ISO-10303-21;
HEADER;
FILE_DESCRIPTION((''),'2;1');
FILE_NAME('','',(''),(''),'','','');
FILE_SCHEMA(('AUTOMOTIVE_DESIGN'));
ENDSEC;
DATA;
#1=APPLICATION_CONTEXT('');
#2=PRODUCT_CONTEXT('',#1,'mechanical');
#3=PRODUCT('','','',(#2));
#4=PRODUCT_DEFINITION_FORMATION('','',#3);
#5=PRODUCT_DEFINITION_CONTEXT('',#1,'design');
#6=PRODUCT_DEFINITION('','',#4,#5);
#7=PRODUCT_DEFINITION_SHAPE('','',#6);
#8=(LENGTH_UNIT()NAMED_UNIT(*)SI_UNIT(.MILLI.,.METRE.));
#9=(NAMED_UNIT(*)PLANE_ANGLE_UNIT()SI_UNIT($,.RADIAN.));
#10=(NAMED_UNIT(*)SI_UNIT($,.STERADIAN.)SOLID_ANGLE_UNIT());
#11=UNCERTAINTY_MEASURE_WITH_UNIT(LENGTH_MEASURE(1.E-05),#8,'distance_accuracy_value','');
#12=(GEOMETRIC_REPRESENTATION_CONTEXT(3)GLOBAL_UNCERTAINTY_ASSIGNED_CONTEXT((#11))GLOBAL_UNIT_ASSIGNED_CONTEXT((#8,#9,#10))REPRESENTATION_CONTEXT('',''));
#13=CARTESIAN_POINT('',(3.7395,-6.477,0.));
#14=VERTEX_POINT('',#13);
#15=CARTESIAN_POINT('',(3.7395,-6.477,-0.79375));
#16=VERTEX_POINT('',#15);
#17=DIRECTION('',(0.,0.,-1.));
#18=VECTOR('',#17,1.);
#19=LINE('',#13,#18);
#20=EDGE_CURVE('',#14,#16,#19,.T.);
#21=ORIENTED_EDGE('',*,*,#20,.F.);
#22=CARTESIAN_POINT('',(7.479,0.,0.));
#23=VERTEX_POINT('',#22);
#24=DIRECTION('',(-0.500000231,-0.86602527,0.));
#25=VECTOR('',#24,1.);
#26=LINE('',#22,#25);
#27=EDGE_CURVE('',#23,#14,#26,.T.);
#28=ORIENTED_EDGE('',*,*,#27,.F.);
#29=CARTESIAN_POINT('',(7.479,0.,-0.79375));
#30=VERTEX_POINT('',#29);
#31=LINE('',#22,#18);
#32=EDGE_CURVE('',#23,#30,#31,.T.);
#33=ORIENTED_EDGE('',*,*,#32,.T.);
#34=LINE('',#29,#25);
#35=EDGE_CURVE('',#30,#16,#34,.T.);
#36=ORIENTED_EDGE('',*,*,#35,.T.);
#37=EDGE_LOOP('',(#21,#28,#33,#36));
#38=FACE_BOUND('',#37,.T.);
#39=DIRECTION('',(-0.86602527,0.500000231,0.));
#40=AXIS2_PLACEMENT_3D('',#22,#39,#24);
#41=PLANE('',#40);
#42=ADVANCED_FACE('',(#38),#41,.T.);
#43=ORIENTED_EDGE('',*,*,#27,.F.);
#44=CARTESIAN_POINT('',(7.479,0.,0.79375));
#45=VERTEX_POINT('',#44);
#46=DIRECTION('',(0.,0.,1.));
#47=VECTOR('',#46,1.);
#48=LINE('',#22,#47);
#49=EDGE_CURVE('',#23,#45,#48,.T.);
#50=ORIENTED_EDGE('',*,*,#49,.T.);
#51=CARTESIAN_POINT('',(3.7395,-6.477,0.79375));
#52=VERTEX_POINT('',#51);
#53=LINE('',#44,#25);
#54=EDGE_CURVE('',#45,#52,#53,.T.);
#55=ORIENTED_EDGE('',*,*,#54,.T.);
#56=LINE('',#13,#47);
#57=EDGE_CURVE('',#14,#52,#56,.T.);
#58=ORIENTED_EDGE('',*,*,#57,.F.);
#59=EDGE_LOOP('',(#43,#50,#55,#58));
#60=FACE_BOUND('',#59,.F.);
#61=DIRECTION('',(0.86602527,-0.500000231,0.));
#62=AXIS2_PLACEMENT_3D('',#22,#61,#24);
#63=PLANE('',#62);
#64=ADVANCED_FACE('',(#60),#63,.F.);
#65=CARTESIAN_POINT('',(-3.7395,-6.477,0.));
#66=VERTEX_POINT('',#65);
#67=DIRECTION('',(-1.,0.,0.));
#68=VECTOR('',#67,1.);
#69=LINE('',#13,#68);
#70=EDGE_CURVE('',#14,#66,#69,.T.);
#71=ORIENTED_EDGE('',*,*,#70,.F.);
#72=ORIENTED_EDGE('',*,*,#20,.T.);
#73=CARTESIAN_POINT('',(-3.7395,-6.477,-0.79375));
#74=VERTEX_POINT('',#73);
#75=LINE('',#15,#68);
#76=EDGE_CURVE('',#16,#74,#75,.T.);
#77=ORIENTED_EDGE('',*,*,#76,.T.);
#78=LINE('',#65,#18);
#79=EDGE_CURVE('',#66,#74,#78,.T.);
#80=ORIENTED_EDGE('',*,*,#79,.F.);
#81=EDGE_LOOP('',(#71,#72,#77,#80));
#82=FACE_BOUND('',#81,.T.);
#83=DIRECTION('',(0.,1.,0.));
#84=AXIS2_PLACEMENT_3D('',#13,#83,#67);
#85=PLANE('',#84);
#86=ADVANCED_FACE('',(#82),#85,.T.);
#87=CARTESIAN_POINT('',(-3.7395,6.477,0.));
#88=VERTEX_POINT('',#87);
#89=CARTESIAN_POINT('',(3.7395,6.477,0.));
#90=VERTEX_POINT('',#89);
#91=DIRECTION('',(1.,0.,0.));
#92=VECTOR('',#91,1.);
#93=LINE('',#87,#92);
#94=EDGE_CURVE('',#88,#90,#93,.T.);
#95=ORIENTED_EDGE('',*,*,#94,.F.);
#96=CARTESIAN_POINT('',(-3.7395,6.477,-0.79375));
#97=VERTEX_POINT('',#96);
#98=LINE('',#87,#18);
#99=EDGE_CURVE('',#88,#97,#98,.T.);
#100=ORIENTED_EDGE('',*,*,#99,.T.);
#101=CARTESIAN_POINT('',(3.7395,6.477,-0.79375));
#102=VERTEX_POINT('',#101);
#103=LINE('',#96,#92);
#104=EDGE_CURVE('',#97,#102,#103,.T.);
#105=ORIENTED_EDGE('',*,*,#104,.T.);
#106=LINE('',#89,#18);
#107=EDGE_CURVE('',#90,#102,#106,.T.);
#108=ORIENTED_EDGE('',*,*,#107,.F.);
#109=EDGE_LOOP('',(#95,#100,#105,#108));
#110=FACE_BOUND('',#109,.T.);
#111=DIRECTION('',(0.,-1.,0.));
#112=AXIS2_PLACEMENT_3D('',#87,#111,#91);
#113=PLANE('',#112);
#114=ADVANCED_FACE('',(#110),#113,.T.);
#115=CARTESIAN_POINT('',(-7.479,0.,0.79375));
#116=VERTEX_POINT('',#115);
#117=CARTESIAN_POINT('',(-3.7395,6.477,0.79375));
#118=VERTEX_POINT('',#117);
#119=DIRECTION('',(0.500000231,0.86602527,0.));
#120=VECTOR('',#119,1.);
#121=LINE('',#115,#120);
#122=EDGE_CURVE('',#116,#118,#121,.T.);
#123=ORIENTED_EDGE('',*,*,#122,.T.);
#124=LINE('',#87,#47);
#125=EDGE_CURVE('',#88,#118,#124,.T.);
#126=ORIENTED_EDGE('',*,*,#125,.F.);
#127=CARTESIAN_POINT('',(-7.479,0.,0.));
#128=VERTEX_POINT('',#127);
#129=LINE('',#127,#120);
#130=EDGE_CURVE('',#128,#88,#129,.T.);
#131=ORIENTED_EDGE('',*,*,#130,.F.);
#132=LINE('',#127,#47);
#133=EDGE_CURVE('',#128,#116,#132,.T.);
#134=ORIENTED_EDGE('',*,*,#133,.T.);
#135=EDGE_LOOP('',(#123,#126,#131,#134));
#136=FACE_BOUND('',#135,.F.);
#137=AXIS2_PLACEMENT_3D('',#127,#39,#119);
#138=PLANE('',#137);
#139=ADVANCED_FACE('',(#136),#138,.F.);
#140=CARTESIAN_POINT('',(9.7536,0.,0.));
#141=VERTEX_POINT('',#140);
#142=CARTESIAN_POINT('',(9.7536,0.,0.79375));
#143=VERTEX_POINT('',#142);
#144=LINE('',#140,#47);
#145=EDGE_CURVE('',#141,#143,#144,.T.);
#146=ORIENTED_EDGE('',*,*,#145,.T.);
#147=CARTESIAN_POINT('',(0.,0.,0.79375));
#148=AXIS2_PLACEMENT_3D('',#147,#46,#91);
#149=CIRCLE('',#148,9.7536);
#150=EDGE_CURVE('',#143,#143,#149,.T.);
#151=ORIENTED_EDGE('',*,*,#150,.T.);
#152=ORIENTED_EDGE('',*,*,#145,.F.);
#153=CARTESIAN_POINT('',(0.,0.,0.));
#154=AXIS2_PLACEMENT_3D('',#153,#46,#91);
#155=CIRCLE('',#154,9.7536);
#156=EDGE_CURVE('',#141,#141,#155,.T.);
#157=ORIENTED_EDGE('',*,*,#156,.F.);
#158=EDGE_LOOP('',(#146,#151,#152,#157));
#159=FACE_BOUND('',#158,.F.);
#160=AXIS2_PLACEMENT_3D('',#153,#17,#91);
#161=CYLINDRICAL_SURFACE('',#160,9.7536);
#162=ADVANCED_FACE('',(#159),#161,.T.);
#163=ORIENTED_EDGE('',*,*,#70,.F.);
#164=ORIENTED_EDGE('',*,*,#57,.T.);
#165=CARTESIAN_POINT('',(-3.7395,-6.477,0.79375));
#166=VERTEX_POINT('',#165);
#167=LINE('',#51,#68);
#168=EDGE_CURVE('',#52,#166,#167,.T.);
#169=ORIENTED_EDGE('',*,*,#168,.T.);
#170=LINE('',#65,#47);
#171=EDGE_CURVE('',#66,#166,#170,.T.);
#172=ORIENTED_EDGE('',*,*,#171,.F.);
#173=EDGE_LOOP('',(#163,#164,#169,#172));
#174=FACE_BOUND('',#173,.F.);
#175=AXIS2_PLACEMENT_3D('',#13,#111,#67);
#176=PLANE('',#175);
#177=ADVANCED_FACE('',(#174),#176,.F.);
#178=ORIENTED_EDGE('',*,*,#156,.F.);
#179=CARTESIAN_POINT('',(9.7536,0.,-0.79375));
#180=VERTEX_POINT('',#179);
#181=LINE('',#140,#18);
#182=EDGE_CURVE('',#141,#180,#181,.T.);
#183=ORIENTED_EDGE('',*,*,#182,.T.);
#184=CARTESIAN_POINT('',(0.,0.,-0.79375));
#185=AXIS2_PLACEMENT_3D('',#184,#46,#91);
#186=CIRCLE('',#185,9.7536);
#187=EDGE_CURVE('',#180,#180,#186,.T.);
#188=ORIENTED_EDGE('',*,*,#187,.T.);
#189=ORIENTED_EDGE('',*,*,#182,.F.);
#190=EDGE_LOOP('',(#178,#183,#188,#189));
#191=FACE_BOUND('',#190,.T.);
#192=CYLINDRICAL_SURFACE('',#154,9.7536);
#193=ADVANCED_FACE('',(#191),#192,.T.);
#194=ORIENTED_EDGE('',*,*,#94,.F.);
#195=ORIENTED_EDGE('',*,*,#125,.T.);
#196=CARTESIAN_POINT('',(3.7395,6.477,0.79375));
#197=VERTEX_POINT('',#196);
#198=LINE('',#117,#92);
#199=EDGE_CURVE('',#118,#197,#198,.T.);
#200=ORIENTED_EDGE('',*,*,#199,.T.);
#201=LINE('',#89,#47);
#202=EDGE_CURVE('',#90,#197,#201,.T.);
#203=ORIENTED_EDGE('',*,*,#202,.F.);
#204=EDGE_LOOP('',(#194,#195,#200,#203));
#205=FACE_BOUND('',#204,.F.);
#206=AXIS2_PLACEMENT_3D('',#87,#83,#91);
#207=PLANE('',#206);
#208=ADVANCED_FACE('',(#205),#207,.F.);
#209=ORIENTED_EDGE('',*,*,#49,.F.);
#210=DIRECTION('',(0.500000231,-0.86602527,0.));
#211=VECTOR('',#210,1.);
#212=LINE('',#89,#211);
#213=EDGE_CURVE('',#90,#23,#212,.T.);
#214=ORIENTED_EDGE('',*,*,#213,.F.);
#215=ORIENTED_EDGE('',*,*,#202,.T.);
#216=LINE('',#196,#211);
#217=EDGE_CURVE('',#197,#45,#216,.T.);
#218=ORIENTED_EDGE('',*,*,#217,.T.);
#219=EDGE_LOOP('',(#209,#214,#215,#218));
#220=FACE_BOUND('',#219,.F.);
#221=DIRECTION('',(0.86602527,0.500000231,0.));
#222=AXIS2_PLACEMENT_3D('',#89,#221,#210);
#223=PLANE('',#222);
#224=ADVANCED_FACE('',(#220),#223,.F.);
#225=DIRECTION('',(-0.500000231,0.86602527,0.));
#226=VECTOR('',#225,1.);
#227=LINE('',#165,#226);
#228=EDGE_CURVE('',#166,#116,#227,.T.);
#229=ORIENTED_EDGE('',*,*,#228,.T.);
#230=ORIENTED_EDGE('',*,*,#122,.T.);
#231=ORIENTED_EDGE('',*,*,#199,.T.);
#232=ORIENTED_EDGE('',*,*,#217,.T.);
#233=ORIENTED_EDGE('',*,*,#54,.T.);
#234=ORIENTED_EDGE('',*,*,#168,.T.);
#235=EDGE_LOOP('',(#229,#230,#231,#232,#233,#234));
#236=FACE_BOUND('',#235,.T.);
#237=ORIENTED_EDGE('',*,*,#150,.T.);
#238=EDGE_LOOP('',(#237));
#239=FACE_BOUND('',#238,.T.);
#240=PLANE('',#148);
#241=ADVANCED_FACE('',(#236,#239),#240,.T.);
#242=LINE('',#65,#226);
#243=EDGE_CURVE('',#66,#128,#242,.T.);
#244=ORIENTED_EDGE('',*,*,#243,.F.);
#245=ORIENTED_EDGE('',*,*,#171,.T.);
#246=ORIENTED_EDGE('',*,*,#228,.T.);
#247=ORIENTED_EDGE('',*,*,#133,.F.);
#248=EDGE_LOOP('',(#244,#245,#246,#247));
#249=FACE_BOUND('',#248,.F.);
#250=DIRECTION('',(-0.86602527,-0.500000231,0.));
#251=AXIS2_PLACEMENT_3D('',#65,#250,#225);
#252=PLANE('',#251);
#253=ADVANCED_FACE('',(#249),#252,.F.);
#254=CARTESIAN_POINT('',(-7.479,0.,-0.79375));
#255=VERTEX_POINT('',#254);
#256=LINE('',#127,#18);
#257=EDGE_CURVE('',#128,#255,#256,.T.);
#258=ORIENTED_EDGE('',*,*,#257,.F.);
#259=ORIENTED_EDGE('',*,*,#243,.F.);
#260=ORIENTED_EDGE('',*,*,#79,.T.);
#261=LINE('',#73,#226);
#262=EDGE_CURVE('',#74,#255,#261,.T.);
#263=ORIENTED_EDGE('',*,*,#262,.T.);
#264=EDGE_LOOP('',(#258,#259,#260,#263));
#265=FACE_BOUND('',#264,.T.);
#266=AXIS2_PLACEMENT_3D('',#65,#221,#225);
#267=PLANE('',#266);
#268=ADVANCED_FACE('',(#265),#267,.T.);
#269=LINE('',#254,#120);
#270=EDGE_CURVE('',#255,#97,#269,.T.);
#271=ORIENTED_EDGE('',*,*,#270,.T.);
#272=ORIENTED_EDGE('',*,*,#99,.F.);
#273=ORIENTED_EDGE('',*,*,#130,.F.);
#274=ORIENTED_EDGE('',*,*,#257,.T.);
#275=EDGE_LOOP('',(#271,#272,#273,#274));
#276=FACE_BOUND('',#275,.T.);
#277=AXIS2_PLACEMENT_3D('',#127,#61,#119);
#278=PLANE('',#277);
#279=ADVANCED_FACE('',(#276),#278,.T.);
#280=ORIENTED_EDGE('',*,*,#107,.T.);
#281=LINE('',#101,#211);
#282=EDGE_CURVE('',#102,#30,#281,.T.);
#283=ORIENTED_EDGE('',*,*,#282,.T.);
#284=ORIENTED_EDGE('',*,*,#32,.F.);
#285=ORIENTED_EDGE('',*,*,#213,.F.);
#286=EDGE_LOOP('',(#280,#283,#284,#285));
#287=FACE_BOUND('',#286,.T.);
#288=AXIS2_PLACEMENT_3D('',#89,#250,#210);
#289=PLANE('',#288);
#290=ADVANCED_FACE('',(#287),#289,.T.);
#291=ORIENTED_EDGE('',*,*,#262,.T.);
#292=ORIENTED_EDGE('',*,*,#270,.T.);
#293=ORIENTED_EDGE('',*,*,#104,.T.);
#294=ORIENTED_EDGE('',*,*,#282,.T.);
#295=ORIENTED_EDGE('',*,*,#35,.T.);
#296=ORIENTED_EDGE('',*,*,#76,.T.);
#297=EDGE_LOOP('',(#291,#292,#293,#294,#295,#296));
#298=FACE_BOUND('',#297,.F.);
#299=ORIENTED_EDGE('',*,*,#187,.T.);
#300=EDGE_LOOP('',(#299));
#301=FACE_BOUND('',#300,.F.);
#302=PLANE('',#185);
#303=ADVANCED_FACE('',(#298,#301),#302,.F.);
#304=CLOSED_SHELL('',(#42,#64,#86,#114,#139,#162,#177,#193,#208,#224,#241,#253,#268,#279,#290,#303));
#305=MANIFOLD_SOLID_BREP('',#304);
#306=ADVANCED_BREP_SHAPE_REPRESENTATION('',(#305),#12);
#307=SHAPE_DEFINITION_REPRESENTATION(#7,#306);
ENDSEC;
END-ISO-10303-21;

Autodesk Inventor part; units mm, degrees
ref_plane "YZ Plane" through (0, 0, 0) normal (1, 0, 0) x (0, 1, 0)
ref_plane "XZ Plane" through (0, 0, 0) normal (0, 1, 0) x (-1, 0, 0)
ref_plane "XY Plane" through (0, 0, 0) normal (0, 0, 1) x (1, 0, 0)
sketch "Sketch1" plane through (0, 0, 0) normal (0, 0, 1) x (1, 0, 0)
  circle A0 centre (0, 0) radius 9.7536
  line L0 (3.7395, -6.477) -> (-3.7395, -6.477)
  line L1 (-3.7395, -6.477) -> (-7.479, 0)
  line L2 (-7.479, 0) -> (-3.7395, 6.477)
  line L3 (-3.7395, 6.477) -> (3.7395, 6.477)
  line L4 (3.7395, 6.477) -> (7.479, 0)
  line L5 (7.479, 0) -> (3.7395, -6.477)
  dimension "d0" = 19.5072
  dimension "d1" = 12.954
extrude "Extrusion1" add sketch "Sketch1" along normal mid plane 1.5875
properties part number "WCP-0787-01" material "PVC-Piping"
